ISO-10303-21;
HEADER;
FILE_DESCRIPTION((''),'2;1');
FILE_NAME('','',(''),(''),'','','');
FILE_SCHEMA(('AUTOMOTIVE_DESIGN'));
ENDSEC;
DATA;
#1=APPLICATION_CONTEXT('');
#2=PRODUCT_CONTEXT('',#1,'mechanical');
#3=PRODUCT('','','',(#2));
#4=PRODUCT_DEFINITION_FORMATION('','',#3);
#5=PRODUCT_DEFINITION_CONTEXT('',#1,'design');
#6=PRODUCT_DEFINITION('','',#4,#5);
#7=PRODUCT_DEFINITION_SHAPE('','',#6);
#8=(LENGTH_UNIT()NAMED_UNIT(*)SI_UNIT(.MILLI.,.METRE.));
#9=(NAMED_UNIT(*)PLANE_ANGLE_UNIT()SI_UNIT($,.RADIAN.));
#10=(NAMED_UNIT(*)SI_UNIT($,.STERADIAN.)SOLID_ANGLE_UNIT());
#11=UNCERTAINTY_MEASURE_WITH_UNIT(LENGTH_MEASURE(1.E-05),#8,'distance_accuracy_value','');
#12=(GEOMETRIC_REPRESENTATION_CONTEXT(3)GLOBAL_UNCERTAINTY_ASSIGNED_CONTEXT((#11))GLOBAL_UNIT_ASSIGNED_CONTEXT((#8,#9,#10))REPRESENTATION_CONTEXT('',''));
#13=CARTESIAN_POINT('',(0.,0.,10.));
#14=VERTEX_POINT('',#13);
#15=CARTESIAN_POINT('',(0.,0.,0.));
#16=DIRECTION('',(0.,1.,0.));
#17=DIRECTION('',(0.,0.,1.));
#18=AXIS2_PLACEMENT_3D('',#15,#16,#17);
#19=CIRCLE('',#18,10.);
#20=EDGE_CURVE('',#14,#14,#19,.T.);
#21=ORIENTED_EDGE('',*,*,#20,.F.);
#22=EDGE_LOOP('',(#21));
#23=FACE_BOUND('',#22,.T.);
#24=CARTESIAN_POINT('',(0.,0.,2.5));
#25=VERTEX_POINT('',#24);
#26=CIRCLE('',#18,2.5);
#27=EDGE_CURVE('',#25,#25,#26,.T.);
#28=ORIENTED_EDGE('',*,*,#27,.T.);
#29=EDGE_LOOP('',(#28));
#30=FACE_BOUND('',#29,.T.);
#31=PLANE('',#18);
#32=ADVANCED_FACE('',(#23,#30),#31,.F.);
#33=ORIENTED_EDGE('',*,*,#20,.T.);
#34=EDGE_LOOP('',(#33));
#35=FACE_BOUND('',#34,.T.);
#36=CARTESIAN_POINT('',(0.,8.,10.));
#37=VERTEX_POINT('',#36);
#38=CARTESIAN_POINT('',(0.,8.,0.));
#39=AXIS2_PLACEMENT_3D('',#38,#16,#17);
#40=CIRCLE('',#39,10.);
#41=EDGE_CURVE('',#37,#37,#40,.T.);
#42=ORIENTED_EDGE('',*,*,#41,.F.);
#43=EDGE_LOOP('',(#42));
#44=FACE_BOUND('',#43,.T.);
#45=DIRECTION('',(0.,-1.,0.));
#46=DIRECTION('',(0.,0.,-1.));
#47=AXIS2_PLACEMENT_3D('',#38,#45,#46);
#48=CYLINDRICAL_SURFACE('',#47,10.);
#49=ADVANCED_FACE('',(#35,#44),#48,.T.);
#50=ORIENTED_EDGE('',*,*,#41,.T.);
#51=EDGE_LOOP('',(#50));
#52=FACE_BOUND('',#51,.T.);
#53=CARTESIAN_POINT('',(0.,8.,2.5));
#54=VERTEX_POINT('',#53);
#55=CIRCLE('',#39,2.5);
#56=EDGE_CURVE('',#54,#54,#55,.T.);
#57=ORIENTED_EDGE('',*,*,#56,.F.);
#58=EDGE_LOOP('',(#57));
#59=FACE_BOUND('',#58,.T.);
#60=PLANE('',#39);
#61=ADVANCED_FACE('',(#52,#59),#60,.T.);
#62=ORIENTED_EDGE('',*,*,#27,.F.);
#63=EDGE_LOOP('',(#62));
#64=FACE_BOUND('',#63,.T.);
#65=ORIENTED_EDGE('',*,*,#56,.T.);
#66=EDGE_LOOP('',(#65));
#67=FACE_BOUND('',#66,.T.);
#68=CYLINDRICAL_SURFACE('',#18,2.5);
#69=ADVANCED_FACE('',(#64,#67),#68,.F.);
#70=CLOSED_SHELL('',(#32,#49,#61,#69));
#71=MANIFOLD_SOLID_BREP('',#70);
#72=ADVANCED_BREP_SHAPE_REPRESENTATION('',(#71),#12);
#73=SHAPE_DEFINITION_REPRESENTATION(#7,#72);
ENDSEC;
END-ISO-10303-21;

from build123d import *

# Parameters (mm, degrees)
SKETCH_1_R          = 10
EXTRUDE_1_DEPTH     = 8
SKETCH_2_R          = 2.5
CUT_EXTRUDE_1_DEPTH = 8


with BuildPart() as part:
    # 草图1 → 凸台-拉伸1 (new body)
    with BuildSketch(Plane(origin=(0, 0, 0), x_dir=(1, 0, 0), z_dir=(0, 1, 0))):
        with Locations(Location((0, 0, 0), (0, 0, 270))):
            Circle(SKETCH_1_R)
    extrude(amount=EXTRUDE_1_DEPTH)

    # 草图2 → 切除-拉伸1 (cut)
    with BuildSketch(Plane(origin=(0, 8, 0), x_dir=(1, 0, 0), z_dir=(0, 1, 0))):
        with Locations(Location((0, 0, 0), (0, 0, 270))):
            Circle(SKETCH_2_R)
    extrude(amount=-CUT_EXTRUDE_1_DEPTH, mode=Mode.SUBTRACT)


solid = part.part
